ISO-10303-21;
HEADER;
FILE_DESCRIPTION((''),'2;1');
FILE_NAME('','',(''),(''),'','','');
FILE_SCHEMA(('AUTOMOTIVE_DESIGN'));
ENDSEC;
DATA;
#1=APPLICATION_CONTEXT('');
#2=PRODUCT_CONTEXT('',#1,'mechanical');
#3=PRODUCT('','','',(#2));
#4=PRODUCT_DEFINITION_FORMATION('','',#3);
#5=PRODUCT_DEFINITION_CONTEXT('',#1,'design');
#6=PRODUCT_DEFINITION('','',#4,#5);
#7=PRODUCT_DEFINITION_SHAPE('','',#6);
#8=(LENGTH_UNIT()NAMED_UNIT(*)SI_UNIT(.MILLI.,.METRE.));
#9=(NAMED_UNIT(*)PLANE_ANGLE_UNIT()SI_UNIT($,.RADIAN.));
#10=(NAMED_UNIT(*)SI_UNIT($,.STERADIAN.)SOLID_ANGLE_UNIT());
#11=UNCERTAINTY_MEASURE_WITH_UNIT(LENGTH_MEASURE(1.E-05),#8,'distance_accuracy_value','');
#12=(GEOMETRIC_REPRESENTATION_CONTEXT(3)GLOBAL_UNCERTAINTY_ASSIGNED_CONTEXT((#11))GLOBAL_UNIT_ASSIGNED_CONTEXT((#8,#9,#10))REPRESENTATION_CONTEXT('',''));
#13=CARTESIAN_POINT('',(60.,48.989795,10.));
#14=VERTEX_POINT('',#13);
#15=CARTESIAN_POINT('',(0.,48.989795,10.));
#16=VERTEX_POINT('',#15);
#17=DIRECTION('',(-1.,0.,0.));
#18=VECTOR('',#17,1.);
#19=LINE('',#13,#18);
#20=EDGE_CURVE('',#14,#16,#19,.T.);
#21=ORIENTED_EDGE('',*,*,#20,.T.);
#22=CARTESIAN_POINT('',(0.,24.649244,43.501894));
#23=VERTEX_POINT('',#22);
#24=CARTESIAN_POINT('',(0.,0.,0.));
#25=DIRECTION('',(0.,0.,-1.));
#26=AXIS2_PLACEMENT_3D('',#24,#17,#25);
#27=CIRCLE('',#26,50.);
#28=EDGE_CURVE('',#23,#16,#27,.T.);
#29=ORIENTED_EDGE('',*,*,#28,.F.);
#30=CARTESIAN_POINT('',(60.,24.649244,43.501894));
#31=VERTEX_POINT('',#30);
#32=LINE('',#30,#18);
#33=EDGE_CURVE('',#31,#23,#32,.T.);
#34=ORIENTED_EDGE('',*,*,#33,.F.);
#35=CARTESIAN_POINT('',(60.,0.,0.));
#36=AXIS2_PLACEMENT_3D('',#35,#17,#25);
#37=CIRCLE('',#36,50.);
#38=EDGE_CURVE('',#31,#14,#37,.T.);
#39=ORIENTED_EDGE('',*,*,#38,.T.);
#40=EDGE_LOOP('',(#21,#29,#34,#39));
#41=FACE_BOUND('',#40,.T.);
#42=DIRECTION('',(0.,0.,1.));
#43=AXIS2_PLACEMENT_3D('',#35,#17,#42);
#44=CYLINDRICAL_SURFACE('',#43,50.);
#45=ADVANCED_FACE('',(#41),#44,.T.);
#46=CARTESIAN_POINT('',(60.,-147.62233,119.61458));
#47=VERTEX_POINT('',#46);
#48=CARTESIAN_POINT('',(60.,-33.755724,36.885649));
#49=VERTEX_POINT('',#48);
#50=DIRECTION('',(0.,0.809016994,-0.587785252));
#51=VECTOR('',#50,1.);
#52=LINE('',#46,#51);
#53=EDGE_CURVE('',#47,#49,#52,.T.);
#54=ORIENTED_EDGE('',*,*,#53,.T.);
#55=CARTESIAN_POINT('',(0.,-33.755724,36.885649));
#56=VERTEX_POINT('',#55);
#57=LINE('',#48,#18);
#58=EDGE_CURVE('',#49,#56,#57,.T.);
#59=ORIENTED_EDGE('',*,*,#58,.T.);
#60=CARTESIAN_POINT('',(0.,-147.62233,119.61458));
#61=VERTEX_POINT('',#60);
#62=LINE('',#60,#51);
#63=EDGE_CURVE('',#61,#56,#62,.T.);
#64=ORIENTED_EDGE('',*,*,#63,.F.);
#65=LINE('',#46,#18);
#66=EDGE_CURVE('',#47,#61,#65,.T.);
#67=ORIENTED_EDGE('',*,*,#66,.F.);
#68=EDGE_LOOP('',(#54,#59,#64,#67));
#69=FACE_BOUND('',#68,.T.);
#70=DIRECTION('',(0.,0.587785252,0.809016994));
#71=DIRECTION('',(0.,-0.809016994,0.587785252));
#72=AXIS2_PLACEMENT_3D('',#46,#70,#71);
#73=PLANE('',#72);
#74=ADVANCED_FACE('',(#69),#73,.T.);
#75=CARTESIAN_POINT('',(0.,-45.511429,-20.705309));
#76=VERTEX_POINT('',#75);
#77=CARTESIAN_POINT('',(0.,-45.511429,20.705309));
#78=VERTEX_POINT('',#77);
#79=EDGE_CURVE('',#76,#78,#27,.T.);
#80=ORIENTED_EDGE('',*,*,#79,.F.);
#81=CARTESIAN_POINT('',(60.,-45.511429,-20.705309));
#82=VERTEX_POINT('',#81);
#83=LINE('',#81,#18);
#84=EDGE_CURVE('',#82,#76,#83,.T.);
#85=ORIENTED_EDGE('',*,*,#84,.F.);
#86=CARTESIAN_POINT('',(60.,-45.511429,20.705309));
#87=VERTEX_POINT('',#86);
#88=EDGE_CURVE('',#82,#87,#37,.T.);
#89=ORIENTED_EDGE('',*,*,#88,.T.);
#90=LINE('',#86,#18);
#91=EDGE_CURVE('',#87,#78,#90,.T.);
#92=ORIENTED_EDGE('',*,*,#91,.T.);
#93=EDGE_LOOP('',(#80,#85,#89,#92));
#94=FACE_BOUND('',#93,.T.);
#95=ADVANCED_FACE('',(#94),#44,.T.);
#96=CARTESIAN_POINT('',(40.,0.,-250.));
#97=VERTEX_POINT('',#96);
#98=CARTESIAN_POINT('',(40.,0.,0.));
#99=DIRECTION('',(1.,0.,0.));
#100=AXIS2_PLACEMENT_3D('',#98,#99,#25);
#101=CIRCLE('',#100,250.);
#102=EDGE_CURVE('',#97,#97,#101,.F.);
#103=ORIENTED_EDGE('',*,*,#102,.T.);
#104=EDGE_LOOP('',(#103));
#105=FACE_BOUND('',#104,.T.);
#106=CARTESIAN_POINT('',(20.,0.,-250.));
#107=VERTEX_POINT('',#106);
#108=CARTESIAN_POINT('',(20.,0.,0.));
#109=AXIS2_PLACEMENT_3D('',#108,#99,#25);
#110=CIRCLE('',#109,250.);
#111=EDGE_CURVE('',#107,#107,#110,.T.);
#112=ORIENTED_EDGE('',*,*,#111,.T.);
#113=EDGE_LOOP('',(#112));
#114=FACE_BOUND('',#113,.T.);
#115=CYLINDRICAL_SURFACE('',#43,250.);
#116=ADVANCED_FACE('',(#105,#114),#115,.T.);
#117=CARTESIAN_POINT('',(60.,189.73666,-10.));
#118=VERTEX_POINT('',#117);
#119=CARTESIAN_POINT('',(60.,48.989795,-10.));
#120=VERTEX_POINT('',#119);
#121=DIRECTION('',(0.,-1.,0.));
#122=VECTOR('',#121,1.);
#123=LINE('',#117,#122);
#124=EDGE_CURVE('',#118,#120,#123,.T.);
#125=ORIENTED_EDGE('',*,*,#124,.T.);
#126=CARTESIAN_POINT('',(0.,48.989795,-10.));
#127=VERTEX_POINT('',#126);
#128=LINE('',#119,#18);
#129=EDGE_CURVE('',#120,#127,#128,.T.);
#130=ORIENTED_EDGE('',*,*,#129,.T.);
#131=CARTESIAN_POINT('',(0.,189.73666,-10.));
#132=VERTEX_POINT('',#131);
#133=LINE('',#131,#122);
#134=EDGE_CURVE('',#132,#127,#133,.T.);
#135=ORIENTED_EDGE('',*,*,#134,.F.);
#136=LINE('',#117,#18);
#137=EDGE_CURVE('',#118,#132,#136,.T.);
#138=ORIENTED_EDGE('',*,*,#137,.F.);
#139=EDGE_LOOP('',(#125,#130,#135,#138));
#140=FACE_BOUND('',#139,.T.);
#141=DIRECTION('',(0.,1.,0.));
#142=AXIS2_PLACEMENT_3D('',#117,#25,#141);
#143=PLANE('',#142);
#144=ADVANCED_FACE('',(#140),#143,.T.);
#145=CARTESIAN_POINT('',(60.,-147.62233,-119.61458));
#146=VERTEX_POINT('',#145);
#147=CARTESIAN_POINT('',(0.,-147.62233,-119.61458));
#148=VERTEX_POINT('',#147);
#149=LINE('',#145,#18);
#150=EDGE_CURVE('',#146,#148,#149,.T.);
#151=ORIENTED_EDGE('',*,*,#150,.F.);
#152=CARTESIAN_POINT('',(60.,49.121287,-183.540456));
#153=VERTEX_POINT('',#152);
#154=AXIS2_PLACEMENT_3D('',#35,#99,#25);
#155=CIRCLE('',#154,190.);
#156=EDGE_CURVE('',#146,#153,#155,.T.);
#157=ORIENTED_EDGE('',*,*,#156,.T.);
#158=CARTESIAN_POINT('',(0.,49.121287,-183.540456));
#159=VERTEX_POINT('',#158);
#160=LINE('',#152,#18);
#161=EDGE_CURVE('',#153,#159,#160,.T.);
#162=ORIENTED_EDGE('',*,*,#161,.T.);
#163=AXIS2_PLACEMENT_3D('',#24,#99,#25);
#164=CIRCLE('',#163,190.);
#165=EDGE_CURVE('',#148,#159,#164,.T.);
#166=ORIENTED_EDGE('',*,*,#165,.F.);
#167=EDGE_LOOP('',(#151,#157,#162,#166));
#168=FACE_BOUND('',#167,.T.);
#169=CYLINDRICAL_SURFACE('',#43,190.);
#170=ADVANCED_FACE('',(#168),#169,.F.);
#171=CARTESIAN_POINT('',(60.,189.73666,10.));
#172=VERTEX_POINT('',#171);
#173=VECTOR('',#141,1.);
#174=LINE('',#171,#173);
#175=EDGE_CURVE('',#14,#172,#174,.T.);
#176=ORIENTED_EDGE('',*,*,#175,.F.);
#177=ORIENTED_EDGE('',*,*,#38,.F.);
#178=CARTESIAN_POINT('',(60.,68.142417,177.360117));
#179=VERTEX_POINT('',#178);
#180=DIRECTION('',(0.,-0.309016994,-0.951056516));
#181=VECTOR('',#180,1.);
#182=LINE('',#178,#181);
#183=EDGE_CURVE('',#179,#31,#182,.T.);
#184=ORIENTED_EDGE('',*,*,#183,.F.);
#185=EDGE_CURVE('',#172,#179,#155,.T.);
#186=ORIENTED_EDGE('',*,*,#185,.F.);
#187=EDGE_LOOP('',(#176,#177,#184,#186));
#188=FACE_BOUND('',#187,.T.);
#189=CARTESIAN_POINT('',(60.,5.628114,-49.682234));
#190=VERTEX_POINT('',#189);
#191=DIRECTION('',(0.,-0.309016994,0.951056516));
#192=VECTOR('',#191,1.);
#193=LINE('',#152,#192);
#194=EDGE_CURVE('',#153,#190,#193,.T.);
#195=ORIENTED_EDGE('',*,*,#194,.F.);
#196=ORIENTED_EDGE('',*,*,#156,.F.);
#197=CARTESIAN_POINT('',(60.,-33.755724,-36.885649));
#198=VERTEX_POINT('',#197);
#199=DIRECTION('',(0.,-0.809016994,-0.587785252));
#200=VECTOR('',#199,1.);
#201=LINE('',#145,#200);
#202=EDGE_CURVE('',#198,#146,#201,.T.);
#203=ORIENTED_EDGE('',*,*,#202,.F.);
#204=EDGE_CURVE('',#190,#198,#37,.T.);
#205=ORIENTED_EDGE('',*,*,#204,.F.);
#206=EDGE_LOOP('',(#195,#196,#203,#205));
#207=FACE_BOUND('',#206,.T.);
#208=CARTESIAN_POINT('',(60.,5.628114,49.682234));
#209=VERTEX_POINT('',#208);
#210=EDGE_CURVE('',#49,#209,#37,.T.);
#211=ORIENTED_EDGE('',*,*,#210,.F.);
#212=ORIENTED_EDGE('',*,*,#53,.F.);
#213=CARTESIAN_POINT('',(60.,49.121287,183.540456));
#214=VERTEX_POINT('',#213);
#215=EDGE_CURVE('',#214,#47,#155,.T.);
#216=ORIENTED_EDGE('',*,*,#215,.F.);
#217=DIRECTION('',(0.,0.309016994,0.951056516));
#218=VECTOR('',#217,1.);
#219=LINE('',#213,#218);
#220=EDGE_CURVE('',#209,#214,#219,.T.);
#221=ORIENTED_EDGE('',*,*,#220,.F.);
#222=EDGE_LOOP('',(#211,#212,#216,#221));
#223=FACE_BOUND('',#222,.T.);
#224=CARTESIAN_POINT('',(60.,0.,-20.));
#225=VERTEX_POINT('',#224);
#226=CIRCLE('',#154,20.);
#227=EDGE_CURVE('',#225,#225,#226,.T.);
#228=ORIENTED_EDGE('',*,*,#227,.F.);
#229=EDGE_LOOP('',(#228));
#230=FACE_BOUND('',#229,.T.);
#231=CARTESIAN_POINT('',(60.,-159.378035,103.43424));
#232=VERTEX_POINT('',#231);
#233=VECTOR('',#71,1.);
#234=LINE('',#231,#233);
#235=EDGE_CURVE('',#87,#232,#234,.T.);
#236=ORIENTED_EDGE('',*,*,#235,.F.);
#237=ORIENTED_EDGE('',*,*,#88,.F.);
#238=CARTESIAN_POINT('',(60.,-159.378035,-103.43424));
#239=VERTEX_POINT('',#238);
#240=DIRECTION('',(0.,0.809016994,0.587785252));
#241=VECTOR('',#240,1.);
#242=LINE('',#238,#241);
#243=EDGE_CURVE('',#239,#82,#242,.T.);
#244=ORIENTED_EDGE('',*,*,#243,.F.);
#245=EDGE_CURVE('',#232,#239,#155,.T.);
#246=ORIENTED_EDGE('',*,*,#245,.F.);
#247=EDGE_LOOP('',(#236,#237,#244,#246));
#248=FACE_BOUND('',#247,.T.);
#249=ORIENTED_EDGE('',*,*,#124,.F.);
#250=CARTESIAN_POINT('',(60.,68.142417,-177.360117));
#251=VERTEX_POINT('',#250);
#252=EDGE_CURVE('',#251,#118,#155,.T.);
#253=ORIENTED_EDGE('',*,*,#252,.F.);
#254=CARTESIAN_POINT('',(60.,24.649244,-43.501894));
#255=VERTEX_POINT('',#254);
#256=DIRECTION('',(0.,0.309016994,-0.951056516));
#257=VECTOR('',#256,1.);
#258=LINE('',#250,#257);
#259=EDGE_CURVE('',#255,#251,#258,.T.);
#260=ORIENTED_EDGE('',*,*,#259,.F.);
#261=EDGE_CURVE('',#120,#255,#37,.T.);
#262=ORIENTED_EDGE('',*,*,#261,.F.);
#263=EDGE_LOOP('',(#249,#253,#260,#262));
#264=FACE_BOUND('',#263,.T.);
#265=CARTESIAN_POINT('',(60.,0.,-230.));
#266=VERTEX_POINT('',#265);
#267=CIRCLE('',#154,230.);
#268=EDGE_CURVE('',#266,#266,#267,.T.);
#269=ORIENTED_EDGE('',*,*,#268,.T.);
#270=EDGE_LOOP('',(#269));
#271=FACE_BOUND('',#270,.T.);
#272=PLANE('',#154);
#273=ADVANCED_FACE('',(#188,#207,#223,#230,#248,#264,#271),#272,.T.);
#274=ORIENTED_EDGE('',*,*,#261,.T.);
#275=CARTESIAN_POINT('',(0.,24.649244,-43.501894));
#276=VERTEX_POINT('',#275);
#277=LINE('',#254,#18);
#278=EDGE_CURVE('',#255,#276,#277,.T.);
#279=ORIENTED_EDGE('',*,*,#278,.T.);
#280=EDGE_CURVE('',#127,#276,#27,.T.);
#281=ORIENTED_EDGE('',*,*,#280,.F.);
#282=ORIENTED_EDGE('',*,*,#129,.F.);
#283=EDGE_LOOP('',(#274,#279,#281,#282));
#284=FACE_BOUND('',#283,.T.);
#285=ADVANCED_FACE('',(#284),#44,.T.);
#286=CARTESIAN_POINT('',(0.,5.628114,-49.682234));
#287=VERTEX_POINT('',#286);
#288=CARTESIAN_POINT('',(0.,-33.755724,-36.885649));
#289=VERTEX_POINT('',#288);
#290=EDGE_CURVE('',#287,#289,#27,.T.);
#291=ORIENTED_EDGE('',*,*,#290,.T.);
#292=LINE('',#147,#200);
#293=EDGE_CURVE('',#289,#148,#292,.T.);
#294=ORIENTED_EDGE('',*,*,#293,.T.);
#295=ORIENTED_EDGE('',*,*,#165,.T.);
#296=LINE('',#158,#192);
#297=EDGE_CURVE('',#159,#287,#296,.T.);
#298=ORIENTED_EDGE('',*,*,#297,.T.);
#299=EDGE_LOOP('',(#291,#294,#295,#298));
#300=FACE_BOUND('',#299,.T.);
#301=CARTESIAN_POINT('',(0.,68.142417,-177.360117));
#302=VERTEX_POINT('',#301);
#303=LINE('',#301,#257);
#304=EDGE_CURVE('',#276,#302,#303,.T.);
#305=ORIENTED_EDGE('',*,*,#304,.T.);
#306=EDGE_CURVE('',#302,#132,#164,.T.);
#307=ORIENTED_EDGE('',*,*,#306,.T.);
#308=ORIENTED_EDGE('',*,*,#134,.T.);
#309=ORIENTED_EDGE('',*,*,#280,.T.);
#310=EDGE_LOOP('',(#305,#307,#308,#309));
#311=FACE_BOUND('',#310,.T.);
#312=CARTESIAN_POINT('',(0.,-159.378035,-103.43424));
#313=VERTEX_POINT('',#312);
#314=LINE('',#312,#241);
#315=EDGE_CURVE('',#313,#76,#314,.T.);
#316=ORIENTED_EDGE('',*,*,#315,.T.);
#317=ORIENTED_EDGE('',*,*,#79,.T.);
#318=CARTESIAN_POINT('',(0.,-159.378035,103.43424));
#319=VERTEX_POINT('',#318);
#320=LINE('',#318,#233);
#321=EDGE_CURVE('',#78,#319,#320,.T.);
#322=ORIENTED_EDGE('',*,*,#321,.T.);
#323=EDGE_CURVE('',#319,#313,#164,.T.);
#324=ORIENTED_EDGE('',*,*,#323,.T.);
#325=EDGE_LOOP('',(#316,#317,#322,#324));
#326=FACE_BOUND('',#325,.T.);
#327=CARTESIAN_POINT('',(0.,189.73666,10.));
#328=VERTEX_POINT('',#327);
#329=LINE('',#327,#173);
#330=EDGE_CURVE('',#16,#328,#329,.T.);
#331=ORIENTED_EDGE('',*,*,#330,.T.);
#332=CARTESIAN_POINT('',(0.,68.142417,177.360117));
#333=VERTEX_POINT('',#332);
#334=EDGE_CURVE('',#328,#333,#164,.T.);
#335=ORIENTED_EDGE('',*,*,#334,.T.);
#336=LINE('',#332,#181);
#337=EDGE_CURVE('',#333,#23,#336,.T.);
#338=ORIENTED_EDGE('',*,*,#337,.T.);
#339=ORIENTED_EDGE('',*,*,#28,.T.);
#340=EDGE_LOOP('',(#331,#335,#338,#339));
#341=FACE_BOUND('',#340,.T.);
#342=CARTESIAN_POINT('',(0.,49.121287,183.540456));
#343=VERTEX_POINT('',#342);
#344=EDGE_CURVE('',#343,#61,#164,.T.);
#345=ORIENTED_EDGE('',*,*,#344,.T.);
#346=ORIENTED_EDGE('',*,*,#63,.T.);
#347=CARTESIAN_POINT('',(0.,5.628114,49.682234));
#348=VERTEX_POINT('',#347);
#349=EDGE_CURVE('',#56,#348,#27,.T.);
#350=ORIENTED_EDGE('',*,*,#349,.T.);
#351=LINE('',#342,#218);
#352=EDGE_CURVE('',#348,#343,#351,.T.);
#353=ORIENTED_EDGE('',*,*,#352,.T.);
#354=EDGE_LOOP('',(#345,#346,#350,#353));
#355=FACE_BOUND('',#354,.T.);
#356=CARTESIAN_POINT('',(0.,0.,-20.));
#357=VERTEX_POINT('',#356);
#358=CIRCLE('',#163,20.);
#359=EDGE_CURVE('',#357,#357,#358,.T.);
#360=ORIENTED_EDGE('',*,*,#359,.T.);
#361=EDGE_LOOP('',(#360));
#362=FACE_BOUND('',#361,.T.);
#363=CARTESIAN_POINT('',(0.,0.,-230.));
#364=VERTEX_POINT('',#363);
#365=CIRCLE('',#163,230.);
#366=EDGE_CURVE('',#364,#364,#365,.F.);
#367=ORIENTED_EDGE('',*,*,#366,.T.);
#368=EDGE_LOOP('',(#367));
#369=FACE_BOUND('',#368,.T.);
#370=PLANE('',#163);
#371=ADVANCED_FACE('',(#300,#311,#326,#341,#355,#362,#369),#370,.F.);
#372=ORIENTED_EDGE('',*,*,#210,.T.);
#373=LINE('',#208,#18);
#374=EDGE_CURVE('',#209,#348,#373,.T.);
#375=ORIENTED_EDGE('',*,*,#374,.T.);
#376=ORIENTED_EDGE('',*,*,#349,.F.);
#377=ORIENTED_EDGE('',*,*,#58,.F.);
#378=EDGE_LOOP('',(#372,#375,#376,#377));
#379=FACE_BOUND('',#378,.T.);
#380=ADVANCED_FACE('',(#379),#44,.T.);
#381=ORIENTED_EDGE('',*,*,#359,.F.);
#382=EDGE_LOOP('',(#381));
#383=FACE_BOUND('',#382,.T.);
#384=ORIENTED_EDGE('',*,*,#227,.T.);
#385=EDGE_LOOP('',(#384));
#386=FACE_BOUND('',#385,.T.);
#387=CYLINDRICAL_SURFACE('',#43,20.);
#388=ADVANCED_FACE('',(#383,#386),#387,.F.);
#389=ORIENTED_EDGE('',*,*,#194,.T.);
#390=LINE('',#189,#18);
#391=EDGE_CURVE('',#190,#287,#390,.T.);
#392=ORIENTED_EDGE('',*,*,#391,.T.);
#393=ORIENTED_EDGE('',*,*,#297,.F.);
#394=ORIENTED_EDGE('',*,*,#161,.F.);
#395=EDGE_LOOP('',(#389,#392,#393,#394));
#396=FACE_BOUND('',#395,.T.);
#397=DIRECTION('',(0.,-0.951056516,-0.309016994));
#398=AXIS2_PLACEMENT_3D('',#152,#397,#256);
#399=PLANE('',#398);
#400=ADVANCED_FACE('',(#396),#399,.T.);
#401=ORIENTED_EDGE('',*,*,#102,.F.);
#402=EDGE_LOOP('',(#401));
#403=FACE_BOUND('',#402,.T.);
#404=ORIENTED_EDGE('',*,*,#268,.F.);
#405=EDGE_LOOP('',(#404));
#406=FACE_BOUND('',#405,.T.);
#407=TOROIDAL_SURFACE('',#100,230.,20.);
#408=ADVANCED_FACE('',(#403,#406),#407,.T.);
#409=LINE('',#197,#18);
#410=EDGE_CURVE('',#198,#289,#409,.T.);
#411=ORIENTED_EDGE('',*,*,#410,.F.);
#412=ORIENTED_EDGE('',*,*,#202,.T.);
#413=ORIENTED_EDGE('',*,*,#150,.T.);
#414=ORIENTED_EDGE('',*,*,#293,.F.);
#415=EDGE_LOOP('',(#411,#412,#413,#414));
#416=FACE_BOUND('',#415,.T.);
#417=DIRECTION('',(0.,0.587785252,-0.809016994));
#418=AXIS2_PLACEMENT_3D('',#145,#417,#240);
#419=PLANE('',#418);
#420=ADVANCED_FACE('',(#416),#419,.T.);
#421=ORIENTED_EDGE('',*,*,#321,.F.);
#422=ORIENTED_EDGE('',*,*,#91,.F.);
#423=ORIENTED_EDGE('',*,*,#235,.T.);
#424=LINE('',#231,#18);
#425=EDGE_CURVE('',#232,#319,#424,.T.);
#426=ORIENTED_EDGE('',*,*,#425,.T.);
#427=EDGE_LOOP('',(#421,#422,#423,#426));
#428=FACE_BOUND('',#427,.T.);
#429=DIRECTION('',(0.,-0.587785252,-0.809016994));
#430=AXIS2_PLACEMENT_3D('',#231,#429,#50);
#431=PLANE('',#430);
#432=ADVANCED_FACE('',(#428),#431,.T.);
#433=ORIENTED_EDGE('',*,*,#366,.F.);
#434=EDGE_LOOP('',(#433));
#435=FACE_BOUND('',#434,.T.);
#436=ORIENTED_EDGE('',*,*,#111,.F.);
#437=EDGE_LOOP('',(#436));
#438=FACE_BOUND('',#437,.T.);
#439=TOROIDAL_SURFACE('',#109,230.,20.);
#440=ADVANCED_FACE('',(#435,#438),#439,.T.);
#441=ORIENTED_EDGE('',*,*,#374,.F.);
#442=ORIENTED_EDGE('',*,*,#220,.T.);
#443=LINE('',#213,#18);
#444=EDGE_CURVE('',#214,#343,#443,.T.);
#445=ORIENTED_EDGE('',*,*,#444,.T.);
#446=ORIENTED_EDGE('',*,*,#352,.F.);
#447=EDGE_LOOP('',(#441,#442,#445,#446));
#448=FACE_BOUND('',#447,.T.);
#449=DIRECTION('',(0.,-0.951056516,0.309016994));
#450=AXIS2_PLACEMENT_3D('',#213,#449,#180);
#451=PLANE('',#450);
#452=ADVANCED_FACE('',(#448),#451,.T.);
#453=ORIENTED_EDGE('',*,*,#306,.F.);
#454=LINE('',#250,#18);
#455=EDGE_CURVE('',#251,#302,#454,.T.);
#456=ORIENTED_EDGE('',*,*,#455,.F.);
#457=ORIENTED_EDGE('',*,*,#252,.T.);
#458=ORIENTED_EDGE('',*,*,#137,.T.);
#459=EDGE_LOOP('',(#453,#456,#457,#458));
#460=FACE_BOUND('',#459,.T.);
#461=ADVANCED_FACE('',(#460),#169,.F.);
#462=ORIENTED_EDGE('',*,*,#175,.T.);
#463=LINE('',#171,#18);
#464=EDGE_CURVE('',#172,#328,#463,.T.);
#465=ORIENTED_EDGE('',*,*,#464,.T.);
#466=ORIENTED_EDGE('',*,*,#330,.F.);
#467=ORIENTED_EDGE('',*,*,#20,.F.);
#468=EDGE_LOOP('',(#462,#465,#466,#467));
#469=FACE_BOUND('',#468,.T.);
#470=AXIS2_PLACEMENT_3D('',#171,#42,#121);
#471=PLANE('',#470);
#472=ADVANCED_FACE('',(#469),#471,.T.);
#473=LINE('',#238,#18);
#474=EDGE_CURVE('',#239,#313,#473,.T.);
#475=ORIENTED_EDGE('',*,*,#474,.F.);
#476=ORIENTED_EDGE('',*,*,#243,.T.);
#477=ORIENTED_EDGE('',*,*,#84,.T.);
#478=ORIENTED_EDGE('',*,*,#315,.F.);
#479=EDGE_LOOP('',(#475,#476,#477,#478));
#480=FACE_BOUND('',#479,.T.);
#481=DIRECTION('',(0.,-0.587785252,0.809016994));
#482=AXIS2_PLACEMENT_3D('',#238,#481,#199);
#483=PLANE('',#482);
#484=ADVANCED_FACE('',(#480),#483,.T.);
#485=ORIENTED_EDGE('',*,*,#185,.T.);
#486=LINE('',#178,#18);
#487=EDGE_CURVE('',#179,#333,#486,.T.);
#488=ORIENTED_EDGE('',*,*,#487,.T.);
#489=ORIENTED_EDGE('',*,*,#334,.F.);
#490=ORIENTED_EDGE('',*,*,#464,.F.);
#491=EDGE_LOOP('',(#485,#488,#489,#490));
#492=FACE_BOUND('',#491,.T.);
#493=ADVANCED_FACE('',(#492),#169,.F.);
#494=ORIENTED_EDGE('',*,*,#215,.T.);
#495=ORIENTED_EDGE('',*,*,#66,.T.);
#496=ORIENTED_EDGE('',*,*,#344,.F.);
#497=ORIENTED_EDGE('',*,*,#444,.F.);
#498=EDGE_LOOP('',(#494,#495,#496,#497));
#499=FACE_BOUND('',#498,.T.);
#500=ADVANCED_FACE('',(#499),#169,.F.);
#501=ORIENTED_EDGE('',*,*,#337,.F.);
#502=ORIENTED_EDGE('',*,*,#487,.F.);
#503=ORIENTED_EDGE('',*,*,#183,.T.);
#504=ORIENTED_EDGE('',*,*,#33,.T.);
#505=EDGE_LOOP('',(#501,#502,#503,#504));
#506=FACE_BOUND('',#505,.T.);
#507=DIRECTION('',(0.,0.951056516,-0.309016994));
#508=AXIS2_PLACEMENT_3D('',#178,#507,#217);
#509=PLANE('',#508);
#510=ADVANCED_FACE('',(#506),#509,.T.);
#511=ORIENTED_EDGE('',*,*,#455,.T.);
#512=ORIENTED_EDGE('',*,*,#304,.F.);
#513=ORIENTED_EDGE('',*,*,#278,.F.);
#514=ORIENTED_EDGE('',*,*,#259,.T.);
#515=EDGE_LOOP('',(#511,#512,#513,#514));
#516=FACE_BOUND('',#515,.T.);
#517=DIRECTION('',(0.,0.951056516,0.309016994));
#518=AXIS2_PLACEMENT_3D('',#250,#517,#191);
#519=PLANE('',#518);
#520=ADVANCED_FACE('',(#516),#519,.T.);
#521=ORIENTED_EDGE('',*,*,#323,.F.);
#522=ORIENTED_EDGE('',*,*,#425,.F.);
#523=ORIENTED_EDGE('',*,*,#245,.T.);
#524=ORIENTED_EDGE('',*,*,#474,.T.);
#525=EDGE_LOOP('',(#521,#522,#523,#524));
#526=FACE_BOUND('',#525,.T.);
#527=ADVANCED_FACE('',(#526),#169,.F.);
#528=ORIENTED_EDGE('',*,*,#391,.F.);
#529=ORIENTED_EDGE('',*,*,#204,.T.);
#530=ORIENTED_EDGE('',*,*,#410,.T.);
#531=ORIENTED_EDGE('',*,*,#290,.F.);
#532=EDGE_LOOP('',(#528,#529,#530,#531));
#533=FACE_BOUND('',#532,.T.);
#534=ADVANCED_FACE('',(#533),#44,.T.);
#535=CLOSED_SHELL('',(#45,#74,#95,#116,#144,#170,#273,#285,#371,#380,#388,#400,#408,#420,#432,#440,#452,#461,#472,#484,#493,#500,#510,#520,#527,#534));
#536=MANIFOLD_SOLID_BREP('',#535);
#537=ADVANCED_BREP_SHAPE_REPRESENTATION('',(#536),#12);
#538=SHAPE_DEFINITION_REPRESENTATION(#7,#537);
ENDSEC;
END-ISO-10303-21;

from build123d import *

# Parameters (mm, degrees)
SKETCH1_R           = 250
SKETCH1_R_2         = 20
BOSS_EXTRUDE1_DEPTH = 60
FILLET1_R           = 20


with BuildPart() as part:
    # Sketch1 → Boss-Extrude1 (new body)
    with BuildSketch(Plane(origin=(0, 0, 0), x_dir=(0, 0, -1), z_dir=(1, 0, 0))):
        Circle(SKETCH1_R)
        Circle(SKETCH1_R_2, mode=Mode.SUBTRACT)
        with BuildLine():
            Line((183.540456446, 49.121287113), (49.682233573, 5.628113998))
            ThreePointArc((49.682233573, 5.628113998), (47.552825815, -15.450849719), (36.885648873, -33.755724066))
            Line((36.885648873, -33.755724066), (119.614580282, -147.622329558))
            ThreePointArc((119.614580282, -147.622329558), (180.700738096, -58.713228931), (183.540456446, 49.121287113))
        make_face(mode=Mode.SUBTRACT)
        with BuildLine():
            Line((-10, 189.73665961), (-10, 48.989794856))
            ThreePointArc((-10, 48.989794856), (-29.389262615, 40.450849719), (-43.501893686, 24.649244324))
            Line((-43.501893686, 24.649244324), (-177.360116559, 68.142417438))
            ThreePointArc((-177.360116559, 68.142417438), (-111.679197936, 153.713228931), (-10, 189.73665961))
        make_face(mode=Mode.SUBTRACT)
        with BuildLine():
            Line((10, 189.73665961), (10, 48.989794856))
            ThreePointArc((10, 48.989794856), (29.389262615, 40.450849719), (43.501893686, 24.649244324))
            Line((43.501893686, 24.649244324), (177.360116559, 68.142417438))
            ThreePointArc((177.360116559, 68.142417438), (111.679197936, 153.713228931), (10, 189.73665961))
        make_face(mode=Mode.SUBTRACT)
        with BuildLine():
            Line((103.434240394, -159.378034603), (20.705308985, -45.511429112))
            ThreePointArc((20.705308985, -45.511429112), (0, -50), (-20.705308985, -45.511429112))
            Line((-20.705308985, -45.511429112), (-103.434240394, -159.378034603))
            ThreePointArc((-103.434240394, -159.378034603), (0, -190), (103.434240394, -159.378034603))
        make_face(mode=Mode.SUBTRACT)
        with BuildLine():
            Line((-119.614580282, -147.622329558), (-36.885648873, -33.755724066))
            ThreePointArc((-36.885648873, -33.755724066), (-47.552825815, -15.450849719), (-49.682233573, 5.628113998))
            Line((-49.682233573, 5.628113998), (-183.540456446, 49.121287113))
            ThreePointArc((-183.540456446, 49.121287113), (-180.700738096, -58.713228931), (-119.614580282, -147.622329558))
        make_face(mode=Mode.SUBTRACT)
    extrude(amount=BOSS_EXTRUDE1_DEPTH)

    # Fillet1
    fillet1_edges = [part.edges().sort_by_distance(p)[0] for p in [
        (0, 0, 250),
        (60, 0, 250),
    ]]
    fillet(fillet1_edges, radius=FILLET1_R)


solid = part.part
